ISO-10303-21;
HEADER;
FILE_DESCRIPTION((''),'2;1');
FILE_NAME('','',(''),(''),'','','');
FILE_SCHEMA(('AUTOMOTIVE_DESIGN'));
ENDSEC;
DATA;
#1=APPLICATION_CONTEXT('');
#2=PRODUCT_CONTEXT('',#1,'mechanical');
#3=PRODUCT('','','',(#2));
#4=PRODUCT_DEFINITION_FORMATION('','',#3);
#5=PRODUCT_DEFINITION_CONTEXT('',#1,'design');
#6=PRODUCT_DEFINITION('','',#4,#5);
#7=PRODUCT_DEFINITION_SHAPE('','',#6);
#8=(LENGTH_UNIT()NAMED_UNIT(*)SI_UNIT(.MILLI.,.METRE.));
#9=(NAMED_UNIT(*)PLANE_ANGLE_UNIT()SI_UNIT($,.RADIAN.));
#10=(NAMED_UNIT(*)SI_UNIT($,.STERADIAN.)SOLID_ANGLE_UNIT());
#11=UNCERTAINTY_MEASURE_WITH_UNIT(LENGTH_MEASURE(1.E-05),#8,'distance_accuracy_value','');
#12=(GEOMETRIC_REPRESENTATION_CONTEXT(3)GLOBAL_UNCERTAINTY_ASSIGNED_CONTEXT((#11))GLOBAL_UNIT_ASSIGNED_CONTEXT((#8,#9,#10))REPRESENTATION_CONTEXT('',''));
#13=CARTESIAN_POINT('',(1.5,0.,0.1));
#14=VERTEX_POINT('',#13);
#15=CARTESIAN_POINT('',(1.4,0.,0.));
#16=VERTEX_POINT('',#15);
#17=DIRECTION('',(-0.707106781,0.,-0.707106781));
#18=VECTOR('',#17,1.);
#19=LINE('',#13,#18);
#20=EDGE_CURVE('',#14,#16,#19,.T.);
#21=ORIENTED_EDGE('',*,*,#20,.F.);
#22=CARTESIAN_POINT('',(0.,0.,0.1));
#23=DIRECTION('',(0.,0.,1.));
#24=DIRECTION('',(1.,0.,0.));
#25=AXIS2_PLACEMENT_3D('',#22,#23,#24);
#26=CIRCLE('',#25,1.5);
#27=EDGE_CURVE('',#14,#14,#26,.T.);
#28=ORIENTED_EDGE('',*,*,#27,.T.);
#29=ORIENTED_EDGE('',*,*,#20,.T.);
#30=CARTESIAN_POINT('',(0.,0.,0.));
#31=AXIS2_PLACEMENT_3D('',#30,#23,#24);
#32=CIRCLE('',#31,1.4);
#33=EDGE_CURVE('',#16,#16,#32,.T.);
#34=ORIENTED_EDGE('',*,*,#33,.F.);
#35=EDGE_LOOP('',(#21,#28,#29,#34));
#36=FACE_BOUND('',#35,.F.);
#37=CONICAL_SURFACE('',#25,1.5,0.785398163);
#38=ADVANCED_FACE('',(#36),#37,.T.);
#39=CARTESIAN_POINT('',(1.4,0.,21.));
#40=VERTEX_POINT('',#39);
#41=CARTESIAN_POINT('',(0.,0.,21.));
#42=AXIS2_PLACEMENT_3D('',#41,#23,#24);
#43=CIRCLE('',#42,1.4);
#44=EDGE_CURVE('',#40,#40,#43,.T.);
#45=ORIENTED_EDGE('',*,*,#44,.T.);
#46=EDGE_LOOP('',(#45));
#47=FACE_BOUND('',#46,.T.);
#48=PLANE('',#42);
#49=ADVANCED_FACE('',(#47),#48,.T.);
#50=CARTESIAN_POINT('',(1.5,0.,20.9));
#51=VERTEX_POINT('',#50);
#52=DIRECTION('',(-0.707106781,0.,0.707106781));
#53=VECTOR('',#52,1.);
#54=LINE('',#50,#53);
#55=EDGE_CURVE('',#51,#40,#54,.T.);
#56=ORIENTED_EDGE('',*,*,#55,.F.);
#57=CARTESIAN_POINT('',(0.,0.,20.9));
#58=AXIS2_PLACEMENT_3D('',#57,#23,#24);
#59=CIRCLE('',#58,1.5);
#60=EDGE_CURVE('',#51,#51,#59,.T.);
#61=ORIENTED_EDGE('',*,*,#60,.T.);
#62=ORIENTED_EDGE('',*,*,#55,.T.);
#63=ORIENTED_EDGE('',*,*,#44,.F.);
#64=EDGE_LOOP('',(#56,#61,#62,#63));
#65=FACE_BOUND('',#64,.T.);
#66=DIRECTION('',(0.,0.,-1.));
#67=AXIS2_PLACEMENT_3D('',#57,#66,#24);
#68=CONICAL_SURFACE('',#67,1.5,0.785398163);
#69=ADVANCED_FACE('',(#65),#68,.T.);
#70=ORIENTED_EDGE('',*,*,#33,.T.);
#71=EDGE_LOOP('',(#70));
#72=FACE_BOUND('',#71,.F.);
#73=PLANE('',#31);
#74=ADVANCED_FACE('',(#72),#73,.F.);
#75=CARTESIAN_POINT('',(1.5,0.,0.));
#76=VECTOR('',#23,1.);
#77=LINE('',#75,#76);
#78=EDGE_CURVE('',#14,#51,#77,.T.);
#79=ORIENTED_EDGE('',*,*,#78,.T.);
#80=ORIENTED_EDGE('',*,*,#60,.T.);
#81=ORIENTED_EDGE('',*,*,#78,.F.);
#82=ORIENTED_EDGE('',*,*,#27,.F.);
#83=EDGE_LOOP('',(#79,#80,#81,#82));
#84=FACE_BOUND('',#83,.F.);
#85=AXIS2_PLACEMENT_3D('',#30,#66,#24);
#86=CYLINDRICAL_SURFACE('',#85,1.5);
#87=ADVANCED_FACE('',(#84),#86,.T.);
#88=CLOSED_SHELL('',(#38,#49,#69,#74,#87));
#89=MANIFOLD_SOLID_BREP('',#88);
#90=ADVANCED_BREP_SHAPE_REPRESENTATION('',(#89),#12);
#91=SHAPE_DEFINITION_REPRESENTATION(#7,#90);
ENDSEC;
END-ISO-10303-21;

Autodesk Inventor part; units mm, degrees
ref_plane "YZ Plane" through (0, 0, 0) normal (1, 0, 0) x (0, 1, 0)
ref_plane "XZ Plane" through (0, 0, 0) normal (0, 1, 0) x (-1, 0, 0)
ref_plane "XY Plane" through (0, 0, 0) normal (0, 0, 1) x (1, 0, 0)
sketch "Skizze1" plane through (0, 0, 0) normal (0, 0, 1) x (1, 0, 0)
  circle A0 centre (0, 0) radius 1.5
  dimension "d0" = 3
extrude "Extrusion1" add sketch "Skizze1" along normal blind 21
ref_plane "Arbeitsebene1" through (0, 0, 10.5) normal (0, 0, 1) x (1, 0, 0)
chamfer "Fase1" distance 0.1 angle 45 2 edges at (-1.5, 0, 21) (-1.5, 0, 0)
properties part number "3mmSchaft_63mm" material "Edelstahl"
